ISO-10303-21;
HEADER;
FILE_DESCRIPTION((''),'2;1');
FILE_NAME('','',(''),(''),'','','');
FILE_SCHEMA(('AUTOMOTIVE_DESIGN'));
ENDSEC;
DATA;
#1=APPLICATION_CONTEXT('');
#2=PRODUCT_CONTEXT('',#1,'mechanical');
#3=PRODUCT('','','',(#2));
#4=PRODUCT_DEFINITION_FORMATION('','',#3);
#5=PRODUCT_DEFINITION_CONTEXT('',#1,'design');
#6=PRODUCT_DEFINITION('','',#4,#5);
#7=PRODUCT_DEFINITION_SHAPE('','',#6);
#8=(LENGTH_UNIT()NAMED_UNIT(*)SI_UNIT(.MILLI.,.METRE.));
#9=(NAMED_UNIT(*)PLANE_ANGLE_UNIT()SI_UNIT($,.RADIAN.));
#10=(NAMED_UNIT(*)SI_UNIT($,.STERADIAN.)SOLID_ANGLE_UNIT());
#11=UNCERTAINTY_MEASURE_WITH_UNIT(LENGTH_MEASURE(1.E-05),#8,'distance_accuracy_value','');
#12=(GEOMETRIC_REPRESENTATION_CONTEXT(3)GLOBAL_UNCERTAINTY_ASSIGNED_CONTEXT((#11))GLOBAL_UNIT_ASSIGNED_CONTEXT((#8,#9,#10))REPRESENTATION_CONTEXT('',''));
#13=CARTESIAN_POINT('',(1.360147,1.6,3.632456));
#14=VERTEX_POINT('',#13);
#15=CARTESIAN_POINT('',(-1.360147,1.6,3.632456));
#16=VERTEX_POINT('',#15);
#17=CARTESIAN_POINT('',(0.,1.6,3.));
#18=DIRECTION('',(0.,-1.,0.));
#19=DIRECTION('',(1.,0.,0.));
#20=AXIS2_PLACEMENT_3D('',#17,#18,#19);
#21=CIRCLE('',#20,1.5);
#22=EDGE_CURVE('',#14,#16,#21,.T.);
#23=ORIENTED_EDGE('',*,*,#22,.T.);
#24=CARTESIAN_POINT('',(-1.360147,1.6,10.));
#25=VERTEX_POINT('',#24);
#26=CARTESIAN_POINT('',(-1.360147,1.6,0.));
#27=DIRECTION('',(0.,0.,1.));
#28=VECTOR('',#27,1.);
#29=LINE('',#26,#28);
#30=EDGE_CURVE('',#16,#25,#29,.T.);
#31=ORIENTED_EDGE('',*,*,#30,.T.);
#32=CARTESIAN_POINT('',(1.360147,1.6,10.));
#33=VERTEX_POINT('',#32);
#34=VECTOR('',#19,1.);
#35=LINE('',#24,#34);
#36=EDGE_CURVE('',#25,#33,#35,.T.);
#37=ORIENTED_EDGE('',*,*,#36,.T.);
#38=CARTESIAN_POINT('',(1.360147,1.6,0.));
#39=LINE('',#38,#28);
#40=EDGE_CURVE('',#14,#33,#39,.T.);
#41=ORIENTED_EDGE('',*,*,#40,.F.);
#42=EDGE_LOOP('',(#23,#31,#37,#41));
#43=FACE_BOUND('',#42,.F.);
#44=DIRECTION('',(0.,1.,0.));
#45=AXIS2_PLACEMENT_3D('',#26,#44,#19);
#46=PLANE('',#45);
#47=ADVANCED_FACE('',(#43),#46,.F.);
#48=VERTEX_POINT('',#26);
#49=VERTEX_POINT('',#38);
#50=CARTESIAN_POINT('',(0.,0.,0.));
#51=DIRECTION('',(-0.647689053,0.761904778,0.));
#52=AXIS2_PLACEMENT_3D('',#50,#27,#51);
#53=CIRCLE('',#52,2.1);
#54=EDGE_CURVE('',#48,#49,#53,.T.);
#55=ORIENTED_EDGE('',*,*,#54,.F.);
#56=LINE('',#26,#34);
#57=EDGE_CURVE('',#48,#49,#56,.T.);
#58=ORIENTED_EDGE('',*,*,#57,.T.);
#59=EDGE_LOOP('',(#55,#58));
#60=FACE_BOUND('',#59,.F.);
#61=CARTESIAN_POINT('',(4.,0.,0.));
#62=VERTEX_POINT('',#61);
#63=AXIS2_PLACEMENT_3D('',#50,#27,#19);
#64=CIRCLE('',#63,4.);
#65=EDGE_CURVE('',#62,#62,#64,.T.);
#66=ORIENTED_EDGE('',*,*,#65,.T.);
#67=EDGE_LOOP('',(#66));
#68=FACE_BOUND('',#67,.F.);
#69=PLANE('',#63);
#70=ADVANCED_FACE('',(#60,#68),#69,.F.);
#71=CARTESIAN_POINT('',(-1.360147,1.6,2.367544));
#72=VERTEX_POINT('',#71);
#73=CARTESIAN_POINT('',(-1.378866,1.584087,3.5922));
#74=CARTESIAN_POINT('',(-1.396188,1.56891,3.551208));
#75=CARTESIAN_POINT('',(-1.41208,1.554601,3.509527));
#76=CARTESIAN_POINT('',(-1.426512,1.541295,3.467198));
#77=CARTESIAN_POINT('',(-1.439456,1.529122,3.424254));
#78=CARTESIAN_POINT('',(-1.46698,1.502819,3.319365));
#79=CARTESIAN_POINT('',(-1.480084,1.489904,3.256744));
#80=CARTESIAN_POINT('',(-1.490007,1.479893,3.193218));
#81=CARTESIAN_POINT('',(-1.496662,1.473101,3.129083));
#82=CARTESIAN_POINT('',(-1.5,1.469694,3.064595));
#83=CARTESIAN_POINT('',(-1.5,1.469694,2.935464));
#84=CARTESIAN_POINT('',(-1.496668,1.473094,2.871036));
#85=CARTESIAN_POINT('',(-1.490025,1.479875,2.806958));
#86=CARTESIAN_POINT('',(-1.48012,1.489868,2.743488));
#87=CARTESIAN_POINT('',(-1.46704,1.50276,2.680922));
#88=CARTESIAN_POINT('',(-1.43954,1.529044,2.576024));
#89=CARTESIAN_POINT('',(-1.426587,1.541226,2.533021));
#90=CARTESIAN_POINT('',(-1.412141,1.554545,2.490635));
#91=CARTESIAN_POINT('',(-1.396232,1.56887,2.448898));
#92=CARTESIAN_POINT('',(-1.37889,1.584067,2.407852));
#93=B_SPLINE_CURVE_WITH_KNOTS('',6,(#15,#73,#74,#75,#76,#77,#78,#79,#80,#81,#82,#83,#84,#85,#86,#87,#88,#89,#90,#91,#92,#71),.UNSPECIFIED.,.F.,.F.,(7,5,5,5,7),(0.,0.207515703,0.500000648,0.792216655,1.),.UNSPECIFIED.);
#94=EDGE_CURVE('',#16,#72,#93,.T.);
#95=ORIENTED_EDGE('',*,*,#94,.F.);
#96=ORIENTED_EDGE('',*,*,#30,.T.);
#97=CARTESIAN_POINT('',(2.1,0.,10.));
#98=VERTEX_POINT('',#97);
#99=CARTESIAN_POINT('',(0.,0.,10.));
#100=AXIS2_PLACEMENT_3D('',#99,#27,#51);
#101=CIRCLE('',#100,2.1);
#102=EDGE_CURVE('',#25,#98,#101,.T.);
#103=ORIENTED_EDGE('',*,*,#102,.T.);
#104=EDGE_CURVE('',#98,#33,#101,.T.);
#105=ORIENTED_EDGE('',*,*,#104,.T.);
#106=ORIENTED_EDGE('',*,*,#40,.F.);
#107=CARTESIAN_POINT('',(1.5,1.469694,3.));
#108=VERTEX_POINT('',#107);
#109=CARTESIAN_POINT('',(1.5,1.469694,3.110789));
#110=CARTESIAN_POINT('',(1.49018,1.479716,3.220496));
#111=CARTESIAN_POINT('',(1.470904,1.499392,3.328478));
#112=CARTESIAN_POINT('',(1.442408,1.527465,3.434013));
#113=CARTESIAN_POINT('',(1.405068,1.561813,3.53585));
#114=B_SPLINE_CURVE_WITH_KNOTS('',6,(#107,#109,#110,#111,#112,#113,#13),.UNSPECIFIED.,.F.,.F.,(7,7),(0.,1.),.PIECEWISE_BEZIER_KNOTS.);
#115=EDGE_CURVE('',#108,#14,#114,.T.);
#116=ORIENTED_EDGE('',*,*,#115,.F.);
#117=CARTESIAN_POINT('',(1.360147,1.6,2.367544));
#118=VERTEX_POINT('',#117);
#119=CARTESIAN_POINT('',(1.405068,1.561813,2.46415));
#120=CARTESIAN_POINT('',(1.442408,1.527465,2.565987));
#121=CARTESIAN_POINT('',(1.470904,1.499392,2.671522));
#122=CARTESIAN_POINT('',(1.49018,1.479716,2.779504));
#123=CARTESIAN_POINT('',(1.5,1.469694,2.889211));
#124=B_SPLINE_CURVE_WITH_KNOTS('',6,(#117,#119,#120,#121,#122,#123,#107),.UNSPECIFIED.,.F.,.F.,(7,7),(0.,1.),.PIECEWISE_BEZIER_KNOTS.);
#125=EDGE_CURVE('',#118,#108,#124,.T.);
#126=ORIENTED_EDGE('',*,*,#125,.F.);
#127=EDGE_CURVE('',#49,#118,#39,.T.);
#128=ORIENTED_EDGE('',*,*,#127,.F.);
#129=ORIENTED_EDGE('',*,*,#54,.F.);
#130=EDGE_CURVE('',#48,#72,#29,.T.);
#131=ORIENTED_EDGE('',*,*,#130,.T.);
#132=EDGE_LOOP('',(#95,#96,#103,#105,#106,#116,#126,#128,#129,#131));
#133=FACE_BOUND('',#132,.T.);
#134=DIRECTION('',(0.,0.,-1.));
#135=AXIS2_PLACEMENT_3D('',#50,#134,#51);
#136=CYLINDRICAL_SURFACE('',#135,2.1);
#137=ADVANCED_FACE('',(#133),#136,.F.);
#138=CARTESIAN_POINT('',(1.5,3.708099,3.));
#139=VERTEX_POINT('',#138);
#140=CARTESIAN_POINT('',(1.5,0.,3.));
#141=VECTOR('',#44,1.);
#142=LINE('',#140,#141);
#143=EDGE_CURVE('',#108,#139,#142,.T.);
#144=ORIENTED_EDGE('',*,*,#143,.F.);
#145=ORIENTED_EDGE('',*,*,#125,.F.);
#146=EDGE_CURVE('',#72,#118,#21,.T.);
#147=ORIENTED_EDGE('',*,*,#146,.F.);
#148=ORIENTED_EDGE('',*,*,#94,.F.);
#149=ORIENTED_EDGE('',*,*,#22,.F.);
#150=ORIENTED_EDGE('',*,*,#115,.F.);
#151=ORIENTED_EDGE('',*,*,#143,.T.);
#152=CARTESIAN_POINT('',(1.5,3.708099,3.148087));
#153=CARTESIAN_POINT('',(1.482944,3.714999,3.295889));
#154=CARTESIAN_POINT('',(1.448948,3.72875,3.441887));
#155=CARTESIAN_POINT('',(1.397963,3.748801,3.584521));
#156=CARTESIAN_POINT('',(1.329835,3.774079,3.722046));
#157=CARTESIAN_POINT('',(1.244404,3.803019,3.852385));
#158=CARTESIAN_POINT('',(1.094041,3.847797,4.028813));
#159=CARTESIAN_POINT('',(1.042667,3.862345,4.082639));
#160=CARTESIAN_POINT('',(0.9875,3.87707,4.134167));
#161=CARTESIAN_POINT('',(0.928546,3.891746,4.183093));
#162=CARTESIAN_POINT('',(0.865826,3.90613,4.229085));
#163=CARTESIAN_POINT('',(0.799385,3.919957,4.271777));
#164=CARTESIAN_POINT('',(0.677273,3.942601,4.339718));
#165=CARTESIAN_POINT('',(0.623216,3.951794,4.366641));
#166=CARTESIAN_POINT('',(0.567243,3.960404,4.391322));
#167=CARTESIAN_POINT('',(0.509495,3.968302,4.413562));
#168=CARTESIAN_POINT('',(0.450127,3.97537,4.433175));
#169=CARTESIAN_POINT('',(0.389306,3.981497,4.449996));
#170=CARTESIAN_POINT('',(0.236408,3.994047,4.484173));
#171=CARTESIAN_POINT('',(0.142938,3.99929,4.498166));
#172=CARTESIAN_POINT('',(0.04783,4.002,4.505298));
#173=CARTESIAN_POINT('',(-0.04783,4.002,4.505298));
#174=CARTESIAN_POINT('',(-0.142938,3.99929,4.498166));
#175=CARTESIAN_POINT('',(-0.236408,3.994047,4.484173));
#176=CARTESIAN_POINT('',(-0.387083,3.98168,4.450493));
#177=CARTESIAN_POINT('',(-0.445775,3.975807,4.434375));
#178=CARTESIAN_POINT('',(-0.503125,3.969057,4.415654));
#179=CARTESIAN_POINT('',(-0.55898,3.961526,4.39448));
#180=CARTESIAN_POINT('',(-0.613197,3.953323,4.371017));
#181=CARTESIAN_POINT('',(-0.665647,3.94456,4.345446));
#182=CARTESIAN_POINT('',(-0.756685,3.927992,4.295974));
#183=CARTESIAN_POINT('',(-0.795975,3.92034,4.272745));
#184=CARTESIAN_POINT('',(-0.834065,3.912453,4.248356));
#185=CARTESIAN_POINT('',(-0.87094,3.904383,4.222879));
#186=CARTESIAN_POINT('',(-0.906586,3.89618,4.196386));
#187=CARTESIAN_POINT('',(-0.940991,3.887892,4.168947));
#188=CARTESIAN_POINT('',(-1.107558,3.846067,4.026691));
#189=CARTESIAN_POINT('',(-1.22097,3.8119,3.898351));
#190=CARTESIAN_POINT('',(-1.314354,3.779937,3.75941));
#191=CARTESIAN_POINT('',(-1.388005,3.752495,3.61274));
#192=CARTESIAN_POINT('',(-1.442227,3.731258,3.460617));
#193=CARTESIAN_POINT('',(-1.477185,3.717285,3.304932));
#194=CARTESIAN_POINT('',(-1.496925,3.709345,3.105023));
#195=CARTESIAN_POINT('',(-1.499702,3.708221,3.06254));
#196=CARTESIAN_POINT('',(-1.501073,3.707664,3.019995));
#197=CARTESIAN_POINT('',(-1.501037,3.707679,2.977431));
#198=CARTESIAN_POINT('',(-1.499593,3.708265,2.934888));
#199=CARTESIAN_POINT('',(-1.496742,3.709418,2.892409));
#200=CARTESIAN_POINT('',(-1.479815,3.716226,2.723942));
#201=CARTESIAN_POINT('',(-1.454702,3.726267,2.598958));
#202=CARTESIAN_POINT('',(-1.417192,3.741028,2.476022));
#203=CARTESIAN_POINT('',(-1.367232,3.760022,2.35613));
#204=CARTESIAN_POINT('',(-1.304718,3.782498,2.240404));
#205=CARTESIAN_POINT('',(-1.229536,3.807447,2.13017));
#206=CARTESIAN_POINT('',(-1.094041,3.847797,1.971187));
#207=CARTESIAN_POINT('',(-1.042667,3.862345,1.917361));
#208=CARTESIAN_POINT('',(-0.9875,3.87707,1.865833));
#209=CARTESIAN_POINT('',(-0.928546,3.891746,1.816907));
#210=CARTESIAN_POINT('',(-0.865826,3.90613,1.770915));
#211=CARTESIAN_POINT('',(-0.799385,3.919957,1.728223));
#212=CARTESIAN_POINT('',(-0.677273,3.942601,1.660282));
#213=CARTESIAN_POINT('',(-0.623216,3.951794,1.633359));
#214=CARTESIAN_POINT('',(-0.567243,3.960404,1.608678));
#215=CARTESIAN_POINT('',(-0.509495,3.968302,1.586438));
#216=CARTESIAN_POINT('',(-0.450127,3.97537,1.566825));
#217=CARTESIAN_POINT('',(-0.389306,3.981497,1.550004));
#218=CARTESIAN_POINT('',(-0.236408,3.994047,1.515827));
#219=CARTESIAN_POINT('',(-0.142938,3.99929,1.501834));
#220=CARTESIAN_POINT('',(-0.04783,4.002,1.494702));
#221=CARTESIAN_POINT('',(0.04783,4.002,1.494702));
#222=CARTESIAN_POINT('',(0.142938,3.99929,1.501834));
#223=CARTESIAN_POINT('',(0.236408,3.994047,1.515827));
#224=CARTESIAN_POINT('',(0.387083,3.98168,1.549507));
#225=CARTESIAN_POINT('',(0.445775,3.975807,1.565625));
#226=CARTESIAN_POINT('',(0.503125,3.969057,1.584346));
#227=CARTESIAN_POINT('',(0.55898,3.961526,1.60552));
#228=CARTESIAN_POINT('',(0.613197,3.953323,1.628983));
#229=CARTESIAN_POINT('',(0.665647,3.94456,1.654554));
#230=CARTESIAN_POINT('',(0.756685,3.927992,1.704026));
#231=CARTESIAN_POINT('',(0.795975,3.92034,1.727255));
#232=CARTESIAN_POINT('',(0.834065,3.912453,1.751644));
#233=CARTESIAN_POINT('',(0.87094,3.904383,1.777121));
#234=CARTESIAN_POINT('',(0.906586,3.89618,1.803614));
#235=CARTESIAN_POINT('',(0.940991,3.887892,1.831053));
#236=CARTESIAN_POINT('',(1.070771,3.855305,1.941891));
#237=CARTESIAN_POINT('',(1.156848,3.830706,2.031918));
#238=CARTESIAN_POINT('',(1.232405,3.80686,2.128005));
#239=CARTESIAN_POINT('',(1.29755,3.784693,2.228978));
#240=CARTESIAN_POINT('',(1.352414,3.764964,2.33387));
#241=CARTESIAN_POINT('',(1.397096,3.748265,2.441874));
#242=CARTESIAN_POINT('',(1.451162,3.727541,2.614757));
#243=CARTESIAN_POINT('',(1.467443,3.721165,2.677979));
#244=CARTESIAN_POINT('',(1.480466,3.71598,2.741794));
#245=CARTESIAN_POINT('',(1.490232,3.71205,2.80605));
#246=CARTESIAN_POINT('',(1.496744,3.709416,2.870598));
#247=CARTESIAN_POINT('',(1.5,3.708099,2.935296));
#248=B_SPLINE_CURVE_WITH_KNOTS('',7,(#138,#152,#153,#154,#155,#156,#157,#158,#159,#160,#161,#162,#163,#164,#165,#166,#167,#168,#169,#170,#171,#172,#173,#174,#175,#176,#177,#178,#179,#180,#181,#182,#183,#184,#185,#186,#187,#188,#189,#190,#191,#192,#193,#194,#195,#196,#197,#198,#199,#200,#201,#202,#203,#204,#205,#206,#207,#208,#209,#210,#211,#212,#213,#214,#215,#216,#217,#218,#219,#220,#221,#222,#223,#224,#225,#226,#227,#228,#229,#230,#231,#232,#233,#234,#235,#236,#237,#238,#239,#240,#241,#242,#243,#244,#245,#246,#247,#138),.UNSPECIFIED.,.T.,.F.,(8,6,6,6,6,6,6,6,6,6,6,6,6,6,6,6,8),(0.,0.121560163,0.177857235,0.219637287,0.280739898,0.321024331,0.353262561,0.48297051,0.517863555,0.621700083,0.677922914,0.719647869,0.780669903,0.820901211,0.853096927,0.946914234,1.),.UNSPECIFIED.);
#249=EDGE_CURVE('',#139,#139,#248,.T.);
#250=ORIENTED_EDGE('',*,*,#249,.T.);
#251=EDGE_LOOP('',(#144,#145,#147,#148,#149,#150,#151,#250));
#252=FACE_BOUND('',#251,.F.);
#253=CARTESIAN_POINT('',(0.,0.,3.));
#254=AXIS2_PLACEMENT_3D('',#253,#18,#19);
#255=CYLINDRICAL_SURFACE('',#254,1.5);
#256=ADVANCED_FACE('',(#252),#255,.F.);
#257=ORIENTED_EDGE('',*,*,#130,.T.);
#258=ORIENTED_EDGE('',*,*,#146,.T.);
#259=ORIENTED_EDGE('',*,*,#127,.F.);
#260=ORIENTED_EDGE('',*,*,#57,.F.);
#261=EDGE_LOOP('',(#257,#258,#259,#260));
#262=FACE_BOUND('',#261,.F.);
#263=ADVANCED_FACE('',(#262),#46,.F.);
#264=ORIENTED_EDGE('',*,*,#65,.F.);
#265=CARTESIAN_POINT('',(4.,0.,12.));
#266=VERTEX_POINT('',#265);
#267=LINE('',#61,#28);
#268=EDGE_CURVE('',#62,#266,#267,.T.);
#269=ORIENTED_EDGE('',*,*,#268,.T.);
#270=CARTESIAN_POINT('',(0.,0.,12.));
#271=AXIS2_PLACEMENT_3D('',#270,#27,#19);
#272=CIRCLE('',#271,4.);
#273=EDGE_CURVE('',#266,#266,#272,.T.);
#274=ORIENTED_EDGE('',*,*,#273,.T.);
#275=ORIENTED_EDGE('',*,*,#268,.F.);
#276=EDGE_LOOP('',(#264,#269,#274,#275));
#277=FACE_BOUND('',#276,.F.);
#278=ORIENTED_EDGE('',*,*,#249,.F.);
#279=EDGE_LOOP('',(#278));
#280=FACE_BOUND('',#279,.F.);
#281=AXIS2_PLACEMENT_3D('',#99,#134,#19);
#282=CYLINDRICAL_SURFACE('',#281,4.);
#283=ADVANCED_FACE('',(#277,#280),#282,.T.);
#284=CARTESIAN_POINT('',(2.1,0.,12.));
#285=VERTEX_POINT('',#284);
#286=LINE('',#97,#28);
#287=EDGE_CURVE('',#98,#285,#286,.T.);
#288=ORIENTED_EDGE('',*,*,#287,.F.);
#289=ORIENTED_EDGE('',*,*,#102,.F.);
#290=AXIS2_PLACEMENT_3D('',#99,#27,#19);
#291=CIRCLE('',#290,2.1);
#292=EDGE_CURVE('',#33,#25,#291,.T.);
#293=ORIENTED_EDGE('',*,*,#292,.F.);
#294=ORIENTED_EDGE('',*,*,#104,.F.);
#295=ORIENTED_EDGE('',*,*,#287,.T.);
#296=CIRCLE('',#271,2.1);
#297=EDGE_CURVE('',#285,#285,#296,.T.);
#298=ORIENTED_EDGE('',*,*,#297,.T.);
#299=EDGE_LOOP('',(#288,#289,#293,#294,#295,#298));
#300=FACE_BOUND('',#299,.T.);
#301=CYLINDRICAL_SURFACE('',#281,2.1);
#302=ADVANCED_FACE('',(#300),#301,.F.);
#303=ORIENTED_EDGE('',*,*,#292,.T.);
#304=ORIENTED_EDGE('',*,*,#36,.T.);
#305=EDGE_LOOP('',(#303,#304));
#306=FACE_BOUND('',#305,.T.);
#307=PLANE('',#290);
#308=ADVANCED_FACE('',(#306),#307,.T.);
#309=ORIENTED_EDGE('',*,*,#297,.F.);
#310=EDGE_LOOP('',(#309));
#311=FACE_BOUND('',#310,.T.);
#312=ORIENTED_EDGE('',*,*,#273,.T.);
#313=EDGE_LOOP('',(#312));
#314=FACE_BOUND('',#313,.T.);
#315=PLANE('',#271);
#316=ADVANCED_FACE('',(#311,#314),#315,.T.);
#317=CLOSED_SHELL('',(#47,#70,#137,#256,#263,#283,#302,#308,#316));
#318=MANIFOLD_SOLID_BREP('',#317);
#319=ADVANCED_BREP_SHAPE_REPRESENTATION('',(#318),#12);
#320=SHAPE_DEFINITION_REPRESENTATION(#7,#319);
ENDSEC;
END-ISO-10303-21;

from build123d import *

# Parameters (mm, degrees)
SKETCH268_R     = 4
PAD107_DEPTH    = 10
SKETCH269_R     = 4
SKETCH269_R_2   = 2.1
PAD108_DEPTH    = 2
SKETCH270_R     = 1.5
POCKET131_DEPTH = 4.001


with BuildPart() as part:
    # Sketch268 → Pad107 (new body)
    with BuildSketch(Plane.XY):
        Circle(SKETCH268_R)
        with BuildLine():
            Line((-1.360147, 1.6), (1.360147, 1.6))
            ThreePointArc((-1.360147, 1.6), (0, -2.1), (1.360147, 1.6))
        make_face(mode=Mode.SUBTRACT)
    extrude(amount=PAD107_DEPTH)

    # Sketch269 (on Face5 of Pad107) → Pad108 (join)
    with BuildSketch(Plane.XY.offset(10)):
        Circle(SKETCH269_R)
        Circle(SKETCH269_R_2, mode=Mode.SUBTRACT)
    extrude(amount=PAD108_DEPTH)

    # Sketch270 → Pocket131 (cut, through all)
    with BuildSketch(Plane.XZ):
        with Locations((0, 3)):
            Circle(SKETCH270_R)
    extrude(amount=-POCKET131_DEPTH, mode=Mode.SUBTRACT)


solid = part.part
